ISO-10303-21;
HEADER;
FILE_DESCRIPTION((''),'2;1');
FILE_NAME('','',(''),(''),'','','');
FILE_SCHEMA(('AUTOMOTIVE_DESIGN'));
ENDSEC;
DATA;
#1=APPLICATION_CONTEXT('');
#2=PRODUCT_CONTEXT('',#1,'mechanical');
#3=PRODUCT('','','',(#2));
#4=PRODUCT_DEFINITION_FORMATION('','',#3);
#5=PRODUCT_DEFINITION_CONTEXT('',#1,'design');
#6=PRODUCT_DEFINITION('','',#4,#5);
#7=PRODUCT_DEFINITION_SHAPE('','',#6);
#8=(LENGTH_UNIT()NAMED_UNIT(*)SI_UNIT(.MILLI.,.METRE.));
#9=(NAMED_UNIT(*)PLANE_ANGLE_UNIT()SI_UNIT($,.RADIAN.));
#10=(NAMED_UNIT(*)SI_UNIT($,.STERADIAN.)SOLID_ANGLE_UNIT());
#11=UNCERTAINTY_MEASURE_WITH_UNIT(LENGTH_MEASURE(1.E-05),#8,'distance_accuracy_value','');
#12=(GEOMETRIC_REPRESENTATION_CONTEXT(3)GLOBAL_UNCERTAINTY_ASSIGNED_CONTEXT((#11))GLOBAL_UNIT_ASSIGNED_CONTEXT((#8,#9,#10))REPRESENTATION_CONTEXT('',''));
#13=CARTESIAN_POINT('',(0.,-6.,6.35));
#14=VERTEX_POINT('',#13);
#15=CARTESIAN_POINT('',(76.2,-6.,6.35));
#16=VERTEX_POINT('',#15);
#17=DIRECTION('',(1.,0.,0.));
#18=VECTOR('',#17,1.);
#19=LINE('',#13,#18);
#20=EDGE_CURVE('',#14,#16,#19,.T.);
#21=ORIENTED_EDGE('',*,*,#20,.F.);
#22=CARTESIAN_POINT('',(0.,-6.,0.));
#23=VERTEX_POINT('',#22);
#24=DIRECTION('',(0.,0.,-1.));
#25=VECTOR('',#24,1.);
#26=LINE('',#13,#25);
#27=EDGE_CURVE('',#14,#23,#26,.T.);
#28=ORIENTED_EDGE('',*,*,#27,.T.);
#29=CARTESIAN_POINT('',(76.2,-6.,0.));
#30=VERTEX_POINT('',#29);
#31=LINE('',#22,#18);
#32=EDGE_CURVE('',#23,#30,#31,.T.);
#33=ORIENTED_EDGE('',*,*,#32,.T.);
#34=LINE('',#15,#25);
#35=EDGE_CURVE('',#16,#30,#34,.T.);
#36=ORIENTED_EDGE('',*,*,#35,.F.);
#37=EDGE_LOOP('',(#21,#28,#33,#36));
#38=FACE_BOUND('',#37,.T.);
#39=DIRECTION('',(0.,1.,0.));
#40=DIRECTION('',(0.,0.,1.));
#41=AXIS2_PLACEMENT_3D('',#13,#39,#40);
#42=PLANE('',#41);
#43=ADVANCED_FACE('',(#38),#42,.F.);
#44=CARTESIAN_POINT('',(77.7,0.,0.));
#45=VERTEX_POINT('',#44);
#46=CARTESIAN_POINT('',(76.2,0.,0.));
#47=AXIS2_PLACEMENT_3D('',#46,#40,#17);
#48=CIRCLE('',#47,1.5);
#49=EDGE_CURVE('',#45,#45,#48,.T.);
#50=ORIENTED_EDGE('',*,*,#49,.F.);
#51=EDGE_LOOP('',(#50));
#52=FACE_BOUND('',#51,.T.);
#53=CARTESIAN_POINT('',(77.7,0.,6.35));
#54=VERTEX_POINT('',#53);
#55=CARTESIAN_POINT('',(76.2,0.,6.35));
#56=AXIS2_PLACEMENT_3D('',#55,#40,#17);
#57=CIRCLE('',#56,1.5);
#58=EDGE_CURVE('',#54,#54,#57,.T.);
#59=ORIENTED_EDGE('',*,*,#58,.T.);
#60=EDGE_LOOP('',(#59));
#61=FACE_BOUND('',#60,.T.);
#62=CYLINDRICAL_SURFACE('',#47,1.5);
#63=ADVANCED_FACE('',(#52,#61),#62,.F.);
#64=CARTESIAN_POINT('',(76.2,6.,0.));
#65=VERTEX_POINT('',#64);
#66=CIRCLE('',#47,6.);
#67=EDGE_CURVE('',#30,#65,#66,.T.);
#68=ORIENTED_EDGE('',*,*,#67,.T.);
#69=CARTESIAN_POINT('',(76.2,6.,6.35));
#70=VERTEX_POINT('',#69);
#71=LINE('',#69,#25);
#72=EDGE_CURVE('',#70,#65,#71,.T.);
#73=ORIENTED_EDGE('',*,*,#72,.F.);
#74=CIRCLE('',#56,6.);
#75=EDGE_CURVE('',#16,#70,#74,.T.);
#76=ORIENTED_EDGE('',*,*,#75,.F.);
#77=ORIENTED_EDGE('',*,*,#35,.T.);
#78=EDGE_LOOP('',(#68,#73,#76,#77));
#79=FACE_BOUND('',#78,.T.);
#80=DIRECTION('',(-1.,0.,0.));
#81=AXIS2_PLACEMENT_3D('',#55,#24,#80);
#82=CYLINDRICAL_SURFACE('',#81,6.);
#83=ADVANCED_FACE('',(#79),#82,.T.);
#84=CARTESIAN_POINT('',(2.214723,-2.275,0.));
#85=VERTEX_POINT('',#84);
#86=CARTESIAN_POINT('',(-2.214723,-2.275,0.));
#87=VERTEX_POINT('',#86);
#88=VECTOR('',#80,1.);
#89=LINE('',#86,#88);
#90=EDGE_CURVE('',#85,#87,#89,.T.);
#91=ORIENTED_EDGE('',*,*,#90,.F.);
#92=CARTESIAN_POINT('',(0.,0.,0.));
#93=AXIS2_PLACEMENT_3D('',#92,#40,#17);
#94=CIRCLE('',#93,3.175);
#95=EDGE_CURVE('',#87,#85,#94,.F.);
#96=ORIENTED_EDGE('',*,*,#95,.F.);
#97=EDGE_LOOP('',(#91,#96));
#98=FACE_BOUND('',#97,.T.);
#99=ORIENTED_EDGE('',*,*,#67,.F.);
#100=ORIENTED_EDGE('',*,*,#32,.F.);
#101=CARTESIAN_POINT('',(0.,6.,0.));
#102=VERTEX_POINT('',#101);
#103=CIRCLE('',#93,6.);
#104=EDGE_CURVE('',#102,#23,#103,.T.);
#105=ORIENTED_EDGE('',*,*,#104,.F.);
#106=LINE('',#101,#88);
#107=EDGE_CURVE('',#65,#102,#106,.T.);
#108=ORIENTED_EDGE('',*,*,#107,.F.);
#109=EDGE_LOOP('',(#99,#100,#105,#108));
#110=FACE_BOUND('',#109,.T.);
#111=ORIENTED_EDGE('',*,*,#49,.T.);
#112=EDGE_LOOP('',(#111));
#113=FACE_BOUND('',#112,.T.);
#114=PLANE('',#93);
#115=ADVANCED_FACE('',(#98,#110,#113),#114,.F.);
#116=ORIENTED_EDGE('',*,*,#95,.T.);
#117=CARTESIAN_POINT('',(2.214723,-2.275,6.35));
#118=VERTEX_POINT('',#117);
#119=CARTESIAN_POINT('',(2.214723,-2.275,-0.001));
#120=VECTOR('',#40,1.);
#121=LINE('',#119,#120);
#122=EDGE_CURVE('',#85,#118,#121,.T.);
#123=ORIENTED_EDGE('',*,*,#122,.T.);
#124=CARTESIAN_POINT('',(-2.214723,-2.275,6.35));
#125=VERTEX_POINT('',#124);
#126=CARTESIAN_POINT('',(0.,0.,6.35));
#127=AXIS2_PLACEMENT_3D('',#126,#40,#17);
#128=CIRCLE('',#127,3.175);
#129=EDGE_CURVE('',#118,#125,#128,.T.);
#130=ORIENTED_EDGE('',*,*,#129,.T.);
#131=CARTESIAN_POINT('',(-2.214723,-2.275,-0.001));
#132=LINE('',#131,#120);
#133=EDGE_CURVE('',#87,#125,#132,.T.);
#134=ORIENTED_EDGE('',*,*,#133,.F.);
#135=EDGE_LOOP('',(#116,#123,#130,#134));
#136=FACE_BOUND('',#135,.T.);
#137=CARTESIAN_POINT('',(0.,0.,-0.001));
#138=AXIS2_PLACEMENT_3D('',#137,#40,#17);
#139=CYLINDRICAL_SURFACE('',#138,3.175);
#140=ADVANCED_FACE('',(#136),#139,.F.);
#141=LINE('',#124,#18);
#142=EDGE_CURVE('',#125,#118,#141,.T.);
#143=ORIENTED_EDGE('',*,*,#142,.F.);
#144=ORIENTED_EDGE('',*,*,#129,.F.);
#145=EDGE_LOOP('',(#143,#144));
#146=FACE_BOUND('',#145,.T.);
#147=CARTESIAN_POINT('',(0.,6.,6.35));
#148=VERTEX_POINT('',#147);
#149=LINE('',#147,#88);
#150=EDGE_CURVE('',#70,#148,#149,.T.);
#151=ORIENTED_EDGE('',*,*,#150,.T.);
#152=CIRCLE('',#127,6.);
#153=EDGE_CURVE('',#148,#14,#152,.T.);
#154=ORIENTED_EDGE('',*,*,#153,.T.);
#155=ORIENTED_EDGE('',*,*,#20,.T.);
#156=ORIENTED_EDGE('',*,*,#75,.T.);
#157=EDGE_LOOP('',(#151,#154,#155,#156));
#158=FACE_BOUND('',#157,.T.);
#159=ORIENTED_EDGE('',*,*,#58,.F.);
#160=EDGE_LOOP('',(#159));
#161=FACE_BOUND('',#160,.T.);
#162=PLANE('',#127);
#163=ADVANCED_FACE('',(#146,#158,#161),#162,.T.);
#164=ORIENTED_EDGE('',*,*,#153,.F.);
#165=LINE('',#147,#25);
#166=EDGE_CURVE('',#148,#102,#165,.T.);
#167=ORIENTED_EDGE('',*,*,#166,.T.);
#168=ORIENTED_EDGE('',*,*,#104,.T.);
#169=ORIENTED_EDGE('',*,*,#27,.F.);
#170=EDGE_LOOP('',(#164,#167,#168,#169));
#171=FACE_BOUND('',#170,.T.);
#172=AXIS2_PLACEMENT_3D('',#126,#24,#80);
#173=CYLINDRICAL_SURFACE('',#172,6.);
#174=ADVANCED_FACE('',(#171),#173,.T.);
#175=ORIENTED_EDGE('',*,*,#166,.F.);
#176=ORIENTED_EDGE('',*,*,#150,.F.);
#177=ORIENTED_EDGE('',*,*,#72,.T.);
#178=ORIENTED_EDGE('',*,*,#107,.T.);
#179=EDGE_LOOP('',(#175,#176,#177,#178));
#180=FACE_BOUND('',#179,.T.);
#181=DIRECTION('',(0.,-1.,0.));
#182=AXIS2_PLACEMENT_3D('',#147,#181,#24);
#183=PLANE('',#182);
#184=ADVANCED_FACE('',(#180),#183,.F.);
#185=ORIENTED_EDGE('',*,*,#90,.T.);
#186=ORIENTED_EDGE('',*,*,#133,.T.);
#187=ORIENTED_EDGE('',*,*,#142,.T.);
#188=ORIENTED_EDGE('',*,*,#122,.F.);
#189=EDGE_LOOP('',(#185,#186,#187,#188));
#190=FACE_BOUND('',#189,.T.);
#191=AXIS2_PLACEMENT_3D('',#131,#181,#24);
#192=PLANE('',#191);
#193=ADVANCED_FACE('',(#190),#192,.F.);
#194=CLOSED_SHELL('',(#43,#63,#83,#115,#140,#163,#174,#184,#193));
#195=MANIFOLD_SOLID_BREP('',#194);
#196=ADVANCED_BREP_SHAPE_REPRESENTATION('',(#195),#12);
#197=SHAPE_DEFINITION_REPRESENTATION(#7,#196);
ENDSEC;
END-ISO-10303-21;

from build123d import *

# Parameters (mm, degrees)
BOSS_EXTRU_1_DEPTH      = 6.35
ENL_V_MAT_EXTRU_1_REACH = 84.663
ESQUISSE3_R             = 1.5
ENL_V_MAT_EXTRU_2_DEPTH = 6.35


with BuildPart() as part:
    # Esquisse1 → Boss.-Extru.1 (new body)
    with BuildSketch(Plane.XY):
        with BuildLine():
            Line((0, 6), (76.2, 6))
            ThreePointArc((76.2, 6), (82.2, 0), (76.2, -6))
            Line((76.2, -6), (0, -6))
            ThreePointArc((0, -6), (-6, 0), (0, 6))
        make_face()
    extrude(amount=BOSS_EXTRU_1_DEPTH)

    # Esquisse2 → Enlèv. mat.-Extru.1 (cut, up to next)
    with BuildSketch(Plane.XY.offset(6.35), mode=Mode.PRIVATE) as enl_v_mat_extru_1_sk1:
        with BuildLine():
            Line((-2.214723459, -2.275), (2.214723459, -2.275))
            ThreePointArc((2.214723459, -2.275), (0, 3.175), (-2.214723459, -2.275))
        make_face()
    enl_v_mat_extru_1_tool1 = extrude(enl_v_mat_extru_1_sk1.sketch, amount=-ENL_V_MAT_EXTRU_1_REACH, mode=Mode.PRIVATE) & part.part
    add(enl_v_mat_extru_1_tool1.solids().sort_by_distance((0, 0.25037, 6.35))[0], mode=Mode.SUBTRACT)

    # Esquisse3 → Enlèv. mat.-Extru.2 (cut)
    with BuildSketch(Plane.XY.offset(6.35)):
        with Locations((76.2, 0)):
            Circle(ESQUISSE3_R)
    extrude(amount=-ENL_V_MAT_EXTRU_2_DEPTH, mode=Mode.SUBTRACT)


solid = part.part
